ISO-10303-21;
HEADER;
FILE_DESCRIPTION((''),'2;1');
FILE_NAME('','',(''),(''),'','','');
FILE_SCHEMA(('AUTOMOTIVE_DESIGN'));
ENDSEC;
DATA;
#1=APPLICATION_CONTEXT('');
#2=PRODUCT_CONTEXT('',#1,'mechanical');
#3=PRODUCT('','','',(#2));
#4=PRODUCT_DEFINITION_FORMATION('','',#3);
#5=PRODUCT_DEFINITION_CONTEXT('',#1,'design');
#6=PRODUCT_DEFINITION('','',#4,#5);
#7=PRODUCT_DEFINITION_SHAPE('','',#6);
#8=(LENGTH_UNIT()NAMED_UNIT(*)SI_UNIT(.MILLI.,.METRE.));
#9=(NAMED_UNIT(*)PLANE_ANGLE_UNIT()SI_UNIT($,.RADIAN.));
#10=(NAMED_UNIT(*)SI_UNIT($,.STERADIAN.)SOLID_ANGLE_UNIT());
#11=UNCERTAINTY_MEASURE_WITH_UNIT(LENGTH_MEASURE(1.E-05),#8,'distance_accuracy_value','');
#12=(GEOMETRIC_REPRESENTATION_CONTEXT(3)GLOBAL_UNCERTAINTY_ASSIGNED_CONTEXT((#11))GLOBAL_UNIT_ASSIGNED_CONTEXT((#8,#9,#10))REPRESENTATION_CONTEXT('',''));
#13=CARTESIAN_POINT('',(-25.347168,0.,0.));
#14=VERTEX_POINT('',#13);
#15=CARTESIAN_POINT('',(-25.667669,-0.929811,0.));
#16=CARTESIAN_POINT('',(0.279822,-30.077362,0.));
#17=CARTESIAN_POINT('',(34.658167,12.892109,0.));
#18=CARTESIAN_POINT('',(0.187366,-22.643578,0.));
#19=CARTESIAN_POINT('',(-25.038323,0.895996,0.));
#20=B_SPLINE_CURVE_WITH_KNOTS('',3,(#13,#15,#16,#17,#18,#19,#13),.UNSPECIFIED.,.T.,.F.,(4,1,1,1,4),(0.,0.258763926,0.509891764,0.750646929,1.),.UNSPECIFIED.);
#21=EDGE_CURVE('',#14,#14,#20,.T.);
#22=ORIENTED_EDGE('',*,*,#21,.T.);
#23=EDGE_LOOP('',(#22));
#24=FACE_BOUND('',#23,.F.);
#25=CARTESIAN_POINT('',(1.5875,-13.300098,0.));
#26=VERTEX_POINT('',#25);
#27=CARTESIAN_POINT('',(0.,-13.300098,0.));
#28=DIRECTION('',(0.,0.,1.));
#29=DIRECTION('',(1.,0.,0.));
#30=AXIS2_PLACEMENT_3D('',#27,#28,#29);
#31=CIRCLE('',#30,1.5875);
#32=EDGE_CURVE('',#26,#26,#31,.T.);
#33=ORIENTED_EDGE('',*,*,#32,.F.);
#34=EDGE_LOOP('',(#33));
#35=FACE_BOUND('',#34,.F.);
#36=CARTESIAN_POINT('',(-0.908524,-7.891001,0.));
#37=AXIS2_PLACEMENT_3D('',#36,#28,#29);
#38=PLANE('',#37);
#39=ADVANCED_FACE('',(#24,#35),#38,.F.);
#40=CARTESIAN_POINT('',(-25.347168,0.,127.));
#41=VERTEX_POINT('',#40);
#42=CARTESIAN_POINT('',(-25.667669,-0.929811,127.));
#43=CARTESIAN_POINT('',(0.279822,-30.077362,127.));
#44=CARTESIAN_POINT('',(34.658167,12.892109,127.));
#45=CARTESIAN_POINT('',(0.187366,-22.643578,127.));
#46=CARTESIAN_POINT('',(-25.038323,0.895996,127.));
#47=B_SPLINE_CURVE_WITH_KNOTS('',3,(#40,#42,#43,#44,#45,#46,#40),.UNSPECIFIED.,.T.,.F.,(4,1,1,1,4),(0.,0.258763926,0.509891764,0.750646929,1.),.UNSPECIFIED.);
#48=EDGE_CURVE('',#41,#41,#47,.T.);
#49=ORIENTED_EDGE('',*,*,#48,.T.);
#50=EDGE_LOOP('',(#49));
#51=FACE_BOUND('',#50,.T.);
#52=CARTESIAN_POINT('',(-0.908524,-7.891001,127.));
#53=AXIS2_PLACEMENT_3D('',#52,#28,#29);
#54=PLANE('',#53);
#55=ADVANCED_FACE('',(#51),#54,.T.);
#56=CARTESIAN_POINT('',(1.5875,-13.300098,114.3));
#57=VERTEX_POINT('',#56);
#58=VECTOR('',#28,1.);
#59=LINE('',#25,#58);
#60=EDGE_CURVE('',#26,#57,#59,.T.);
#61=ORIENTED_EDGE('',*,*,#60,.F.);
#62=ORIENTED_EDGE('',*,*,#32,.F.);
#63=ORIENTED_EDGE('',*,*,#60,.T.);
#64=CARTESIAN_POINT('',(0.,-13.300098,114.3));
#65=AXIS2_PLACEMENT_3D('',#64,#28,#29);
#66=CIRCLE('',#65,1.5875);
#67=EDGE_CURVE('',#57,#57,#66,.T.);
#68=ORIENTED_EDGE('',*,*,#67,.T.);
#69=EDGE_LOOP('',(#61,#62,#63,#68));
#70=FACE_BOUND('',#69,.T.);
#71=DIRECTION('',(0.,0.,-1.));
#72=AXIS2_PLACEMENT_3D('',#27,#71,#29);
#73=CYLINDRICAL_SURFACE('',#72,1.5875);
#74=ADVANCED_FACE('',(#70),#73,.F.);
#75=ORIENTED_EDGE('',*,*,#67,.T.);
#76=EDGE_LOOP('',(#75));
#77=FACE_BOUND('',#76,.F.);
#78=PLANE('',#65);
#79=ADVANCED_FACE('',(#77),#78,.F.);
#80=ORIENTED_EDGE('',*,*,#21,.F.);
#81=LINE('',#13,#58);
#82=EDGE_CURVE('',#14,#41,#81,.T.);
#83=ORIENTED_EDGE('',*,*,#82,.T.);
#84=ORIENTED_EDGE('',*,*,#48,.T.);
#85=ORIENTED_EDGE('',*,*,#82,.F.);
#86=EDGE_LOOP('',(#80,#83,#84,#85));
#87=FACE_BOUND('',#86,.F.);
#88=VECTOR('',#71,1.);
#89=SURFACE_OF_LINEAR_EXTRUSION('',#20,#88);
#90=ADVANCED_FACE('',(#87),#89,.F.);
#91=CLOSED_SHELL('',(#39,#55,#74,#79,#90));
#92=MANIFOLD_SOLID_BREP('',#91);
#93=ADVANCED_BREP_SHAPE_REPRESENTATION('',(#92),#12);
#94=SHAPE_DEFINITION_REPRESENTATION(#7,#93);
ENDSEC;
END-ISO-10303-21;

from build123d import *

# Parameters (mm, degrees)
F1_DEPTH = 127
F2_R     = 1.5875
F3_DEPTH = 114.3


with BuildPart() as f1:
    # F0 (on Top) → F1 (new body)
    with BuildSketch(Plane.XY):
        with BuildLine():
            add(Edge.make_bspline(
                [(-25.347167626, 0), (-25.6676685637, -0.9298113828), (0.2798223249, -30.07736168), (34.6581667121, 12.8921088043), (0.1873655375, -22.6435778772), (-25.038322826, 0.8959955396), (-25.347167626, 0)],
                knots=[0, 0, 0, 0, 0.2587639264, 0.5098917641, 0.7506469289, 1, 1, 1, 1], degree=3))
        make_face()
    extrude(amount=F1_DEPTH)

    # F2 (on Top) → F3 (cut)
    with BuildSketch(Plane.XY):
        with Locations((0, -13.3000975475)):
            Circle(F2_R)
    extrude(amount=F3_DEPTH, mode=Mode.SUBTRACT)


solid = f1.part
